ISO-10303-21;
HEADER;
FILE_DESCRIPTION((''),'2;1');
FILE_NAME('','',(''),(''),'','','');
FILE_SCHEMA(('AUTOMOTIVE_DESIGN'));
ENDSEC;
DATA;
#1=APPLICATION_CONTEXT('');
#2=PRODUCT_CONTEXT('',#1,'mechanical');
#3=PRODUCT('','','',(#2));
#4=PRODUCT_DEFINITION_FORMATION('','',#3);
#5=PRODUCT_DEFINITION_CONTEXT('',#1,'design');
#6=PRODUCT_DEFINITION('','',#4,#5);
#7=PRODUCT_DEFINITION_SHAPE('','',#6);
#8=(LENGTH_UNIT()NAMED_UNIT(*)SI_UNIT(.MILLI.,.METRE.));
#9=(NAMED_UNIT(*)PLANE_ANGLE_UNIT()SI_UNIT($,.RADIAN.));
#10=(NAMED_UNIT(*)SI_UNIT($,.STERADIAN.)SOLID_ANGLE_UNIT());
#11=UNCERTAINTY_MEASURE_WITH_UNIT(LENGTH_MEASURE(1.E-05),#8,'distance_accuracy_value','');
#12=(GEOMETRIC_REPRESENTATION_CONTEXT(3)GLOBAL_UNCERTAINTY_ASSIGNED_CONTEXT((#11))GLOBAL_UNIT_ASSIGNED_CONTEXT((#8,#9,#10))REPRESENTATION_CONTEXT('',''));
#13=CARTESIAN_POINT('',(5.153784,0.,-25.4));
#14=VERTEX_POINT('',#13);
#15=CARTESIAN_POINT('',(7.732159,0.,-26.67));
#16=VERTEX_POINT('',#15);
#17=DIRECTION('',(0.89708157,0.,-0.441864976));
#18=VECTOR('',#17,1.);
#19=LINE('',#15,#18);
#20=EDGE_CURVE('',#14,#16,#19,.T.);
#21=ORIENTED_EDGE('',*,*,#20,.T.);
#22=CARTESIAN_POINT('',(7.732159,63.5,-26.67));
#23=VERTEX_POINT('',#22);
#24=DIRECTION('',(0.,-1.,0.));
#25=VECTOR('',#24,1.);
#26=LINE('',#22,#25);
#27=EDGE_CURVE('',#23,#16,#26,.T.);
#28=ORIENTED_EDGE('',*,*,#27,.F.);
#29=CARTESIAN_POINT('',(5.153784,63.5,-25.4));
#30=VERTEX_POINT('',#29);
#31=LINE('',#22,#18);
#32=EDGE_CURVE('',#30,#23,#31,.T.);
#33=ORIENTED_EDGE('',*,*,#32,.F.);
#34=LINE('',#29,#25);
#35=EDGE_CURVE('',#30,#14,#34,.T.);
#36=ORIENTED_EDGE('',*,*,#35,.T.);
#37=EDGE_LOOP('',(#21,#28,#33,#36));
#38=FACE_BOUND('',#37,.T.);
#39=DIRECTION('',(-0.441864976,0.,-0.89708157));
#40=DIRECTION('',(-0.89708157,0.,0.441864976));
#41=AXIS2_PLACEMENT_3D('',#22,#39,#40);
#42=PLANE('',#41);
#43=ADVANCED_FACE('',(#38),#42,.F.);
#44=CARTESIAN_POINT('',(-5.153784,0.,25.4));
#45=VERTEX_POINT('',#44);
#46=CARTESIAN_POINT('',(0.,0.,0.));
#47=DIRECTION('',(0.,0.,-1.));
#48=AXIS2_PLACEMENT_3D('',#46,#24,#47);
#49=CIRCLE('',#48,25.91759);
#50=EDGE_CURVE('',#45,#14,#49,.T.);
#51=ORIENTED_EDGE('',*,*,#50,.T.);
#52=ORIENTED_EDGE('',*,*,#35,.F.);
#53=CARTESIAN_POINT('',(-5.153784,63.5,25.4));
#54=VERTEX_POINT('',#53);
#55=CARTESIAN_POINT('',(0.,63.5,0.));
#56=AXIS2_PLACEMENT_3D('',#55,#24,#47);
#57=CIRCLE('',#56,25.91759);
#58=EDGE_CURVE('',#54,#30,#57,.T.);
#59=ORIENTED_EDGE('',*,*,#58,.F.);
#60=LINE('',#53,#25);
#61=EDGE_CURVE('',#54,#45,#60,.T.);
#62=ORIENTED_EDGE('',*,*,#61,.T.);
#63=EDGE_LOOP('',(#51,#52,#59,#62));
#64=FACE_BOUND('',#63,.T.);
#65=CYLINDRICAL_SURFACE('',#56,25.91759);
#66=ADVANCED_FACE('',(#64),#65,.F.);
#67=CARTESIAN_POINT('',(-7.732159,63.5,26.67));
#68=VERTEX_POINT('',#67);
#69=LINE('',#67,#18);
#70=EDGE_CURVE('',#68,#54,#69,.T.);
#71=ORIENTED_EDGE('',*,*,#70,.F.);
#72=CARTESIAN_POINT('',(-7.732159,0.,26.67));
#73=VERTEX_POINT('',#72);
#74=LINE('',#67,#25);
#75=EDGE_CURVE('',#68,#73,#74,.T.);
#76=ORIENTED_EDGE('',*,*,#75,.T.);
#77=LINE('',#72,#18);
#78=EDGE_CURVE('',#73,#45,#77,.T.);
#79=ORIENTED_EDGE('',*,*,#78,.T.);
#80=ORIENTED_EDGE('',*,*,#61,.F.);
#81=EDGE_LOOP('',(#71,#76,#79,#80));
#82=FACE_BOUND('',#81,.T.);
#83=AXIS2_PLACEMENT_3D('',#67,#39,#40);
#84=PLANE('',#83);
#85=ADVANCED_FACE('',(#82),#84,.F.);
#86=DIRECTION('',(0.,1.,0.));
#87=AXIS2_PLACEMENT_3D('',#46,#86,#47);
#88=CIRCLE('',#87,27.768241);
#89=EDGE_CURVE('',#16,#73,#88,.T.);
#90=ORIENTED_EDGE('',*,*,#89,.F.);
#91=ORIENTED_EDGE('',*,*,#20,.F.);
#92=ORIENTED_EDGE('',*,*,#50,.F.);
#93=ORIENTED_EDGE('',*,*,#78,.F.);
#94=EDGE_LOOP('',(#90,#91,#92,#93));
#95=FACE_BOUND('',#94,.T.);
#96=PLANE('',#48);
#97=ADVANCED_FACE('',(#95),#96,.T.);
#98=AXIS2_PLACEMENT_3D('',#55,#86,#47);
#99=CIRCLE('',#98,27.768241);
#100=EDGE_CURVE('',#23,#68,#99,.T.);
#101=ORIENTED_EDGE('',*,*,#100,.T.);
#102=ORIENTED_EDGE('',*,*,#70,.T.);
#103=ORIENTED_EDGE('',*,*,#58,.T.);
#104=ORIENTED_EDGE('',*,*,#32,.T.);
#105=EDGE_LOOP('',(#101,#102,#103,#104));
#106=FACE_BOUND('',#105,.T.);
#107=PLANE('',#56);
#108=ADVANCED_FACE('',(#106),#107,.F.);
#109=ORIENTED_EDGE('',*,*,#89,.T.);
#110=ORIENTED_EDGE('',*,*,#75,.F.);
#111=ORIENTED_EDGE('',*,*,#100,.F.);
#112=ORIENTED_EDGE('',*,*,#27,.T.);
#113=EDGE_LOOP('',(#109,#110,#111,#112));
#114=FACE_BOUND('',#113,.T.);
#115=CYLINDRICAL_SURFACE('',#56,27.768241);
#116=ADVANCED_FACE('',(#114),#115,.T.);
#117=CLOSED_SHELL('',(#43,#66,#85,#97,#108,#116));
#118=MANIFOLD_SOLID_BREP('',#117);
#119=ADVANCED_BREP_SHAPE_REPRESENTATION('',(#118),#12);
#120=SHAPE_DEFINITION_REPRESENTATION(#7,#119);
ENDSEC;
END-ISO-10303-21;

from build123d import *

# Parameters (mm, degrees)
SALIENTE_EXTRUIR4_DEPTH = 63.5


with BuildPart() as part:
    # Croquis2 → Saliente-Extruir4 (new body)
    with BuildSketch(Plane(origin=(0, 0, 0), x_dir=(1, 0, 0), z_dir=(0, 1, 0))):
        with BuildLine():
            Line((7.732159435, 26.67), (5.153784465, 25.4))
            ThreePointArc((5.153784465, 25.4), (-25.4, 5.153784465), (-5.153784465, -25.4))
            Line((-5.153784465, -25.4), (-7.732159435, -26.67))
            ThreePointArc((-7.732159435, -26.67), (-26.67, 7.732159435), (7.732159435, 26.67))
        make_face()
    extrude(amount=SALIENTE_EXTRUIR4_DEPTH)


solid = part.part
